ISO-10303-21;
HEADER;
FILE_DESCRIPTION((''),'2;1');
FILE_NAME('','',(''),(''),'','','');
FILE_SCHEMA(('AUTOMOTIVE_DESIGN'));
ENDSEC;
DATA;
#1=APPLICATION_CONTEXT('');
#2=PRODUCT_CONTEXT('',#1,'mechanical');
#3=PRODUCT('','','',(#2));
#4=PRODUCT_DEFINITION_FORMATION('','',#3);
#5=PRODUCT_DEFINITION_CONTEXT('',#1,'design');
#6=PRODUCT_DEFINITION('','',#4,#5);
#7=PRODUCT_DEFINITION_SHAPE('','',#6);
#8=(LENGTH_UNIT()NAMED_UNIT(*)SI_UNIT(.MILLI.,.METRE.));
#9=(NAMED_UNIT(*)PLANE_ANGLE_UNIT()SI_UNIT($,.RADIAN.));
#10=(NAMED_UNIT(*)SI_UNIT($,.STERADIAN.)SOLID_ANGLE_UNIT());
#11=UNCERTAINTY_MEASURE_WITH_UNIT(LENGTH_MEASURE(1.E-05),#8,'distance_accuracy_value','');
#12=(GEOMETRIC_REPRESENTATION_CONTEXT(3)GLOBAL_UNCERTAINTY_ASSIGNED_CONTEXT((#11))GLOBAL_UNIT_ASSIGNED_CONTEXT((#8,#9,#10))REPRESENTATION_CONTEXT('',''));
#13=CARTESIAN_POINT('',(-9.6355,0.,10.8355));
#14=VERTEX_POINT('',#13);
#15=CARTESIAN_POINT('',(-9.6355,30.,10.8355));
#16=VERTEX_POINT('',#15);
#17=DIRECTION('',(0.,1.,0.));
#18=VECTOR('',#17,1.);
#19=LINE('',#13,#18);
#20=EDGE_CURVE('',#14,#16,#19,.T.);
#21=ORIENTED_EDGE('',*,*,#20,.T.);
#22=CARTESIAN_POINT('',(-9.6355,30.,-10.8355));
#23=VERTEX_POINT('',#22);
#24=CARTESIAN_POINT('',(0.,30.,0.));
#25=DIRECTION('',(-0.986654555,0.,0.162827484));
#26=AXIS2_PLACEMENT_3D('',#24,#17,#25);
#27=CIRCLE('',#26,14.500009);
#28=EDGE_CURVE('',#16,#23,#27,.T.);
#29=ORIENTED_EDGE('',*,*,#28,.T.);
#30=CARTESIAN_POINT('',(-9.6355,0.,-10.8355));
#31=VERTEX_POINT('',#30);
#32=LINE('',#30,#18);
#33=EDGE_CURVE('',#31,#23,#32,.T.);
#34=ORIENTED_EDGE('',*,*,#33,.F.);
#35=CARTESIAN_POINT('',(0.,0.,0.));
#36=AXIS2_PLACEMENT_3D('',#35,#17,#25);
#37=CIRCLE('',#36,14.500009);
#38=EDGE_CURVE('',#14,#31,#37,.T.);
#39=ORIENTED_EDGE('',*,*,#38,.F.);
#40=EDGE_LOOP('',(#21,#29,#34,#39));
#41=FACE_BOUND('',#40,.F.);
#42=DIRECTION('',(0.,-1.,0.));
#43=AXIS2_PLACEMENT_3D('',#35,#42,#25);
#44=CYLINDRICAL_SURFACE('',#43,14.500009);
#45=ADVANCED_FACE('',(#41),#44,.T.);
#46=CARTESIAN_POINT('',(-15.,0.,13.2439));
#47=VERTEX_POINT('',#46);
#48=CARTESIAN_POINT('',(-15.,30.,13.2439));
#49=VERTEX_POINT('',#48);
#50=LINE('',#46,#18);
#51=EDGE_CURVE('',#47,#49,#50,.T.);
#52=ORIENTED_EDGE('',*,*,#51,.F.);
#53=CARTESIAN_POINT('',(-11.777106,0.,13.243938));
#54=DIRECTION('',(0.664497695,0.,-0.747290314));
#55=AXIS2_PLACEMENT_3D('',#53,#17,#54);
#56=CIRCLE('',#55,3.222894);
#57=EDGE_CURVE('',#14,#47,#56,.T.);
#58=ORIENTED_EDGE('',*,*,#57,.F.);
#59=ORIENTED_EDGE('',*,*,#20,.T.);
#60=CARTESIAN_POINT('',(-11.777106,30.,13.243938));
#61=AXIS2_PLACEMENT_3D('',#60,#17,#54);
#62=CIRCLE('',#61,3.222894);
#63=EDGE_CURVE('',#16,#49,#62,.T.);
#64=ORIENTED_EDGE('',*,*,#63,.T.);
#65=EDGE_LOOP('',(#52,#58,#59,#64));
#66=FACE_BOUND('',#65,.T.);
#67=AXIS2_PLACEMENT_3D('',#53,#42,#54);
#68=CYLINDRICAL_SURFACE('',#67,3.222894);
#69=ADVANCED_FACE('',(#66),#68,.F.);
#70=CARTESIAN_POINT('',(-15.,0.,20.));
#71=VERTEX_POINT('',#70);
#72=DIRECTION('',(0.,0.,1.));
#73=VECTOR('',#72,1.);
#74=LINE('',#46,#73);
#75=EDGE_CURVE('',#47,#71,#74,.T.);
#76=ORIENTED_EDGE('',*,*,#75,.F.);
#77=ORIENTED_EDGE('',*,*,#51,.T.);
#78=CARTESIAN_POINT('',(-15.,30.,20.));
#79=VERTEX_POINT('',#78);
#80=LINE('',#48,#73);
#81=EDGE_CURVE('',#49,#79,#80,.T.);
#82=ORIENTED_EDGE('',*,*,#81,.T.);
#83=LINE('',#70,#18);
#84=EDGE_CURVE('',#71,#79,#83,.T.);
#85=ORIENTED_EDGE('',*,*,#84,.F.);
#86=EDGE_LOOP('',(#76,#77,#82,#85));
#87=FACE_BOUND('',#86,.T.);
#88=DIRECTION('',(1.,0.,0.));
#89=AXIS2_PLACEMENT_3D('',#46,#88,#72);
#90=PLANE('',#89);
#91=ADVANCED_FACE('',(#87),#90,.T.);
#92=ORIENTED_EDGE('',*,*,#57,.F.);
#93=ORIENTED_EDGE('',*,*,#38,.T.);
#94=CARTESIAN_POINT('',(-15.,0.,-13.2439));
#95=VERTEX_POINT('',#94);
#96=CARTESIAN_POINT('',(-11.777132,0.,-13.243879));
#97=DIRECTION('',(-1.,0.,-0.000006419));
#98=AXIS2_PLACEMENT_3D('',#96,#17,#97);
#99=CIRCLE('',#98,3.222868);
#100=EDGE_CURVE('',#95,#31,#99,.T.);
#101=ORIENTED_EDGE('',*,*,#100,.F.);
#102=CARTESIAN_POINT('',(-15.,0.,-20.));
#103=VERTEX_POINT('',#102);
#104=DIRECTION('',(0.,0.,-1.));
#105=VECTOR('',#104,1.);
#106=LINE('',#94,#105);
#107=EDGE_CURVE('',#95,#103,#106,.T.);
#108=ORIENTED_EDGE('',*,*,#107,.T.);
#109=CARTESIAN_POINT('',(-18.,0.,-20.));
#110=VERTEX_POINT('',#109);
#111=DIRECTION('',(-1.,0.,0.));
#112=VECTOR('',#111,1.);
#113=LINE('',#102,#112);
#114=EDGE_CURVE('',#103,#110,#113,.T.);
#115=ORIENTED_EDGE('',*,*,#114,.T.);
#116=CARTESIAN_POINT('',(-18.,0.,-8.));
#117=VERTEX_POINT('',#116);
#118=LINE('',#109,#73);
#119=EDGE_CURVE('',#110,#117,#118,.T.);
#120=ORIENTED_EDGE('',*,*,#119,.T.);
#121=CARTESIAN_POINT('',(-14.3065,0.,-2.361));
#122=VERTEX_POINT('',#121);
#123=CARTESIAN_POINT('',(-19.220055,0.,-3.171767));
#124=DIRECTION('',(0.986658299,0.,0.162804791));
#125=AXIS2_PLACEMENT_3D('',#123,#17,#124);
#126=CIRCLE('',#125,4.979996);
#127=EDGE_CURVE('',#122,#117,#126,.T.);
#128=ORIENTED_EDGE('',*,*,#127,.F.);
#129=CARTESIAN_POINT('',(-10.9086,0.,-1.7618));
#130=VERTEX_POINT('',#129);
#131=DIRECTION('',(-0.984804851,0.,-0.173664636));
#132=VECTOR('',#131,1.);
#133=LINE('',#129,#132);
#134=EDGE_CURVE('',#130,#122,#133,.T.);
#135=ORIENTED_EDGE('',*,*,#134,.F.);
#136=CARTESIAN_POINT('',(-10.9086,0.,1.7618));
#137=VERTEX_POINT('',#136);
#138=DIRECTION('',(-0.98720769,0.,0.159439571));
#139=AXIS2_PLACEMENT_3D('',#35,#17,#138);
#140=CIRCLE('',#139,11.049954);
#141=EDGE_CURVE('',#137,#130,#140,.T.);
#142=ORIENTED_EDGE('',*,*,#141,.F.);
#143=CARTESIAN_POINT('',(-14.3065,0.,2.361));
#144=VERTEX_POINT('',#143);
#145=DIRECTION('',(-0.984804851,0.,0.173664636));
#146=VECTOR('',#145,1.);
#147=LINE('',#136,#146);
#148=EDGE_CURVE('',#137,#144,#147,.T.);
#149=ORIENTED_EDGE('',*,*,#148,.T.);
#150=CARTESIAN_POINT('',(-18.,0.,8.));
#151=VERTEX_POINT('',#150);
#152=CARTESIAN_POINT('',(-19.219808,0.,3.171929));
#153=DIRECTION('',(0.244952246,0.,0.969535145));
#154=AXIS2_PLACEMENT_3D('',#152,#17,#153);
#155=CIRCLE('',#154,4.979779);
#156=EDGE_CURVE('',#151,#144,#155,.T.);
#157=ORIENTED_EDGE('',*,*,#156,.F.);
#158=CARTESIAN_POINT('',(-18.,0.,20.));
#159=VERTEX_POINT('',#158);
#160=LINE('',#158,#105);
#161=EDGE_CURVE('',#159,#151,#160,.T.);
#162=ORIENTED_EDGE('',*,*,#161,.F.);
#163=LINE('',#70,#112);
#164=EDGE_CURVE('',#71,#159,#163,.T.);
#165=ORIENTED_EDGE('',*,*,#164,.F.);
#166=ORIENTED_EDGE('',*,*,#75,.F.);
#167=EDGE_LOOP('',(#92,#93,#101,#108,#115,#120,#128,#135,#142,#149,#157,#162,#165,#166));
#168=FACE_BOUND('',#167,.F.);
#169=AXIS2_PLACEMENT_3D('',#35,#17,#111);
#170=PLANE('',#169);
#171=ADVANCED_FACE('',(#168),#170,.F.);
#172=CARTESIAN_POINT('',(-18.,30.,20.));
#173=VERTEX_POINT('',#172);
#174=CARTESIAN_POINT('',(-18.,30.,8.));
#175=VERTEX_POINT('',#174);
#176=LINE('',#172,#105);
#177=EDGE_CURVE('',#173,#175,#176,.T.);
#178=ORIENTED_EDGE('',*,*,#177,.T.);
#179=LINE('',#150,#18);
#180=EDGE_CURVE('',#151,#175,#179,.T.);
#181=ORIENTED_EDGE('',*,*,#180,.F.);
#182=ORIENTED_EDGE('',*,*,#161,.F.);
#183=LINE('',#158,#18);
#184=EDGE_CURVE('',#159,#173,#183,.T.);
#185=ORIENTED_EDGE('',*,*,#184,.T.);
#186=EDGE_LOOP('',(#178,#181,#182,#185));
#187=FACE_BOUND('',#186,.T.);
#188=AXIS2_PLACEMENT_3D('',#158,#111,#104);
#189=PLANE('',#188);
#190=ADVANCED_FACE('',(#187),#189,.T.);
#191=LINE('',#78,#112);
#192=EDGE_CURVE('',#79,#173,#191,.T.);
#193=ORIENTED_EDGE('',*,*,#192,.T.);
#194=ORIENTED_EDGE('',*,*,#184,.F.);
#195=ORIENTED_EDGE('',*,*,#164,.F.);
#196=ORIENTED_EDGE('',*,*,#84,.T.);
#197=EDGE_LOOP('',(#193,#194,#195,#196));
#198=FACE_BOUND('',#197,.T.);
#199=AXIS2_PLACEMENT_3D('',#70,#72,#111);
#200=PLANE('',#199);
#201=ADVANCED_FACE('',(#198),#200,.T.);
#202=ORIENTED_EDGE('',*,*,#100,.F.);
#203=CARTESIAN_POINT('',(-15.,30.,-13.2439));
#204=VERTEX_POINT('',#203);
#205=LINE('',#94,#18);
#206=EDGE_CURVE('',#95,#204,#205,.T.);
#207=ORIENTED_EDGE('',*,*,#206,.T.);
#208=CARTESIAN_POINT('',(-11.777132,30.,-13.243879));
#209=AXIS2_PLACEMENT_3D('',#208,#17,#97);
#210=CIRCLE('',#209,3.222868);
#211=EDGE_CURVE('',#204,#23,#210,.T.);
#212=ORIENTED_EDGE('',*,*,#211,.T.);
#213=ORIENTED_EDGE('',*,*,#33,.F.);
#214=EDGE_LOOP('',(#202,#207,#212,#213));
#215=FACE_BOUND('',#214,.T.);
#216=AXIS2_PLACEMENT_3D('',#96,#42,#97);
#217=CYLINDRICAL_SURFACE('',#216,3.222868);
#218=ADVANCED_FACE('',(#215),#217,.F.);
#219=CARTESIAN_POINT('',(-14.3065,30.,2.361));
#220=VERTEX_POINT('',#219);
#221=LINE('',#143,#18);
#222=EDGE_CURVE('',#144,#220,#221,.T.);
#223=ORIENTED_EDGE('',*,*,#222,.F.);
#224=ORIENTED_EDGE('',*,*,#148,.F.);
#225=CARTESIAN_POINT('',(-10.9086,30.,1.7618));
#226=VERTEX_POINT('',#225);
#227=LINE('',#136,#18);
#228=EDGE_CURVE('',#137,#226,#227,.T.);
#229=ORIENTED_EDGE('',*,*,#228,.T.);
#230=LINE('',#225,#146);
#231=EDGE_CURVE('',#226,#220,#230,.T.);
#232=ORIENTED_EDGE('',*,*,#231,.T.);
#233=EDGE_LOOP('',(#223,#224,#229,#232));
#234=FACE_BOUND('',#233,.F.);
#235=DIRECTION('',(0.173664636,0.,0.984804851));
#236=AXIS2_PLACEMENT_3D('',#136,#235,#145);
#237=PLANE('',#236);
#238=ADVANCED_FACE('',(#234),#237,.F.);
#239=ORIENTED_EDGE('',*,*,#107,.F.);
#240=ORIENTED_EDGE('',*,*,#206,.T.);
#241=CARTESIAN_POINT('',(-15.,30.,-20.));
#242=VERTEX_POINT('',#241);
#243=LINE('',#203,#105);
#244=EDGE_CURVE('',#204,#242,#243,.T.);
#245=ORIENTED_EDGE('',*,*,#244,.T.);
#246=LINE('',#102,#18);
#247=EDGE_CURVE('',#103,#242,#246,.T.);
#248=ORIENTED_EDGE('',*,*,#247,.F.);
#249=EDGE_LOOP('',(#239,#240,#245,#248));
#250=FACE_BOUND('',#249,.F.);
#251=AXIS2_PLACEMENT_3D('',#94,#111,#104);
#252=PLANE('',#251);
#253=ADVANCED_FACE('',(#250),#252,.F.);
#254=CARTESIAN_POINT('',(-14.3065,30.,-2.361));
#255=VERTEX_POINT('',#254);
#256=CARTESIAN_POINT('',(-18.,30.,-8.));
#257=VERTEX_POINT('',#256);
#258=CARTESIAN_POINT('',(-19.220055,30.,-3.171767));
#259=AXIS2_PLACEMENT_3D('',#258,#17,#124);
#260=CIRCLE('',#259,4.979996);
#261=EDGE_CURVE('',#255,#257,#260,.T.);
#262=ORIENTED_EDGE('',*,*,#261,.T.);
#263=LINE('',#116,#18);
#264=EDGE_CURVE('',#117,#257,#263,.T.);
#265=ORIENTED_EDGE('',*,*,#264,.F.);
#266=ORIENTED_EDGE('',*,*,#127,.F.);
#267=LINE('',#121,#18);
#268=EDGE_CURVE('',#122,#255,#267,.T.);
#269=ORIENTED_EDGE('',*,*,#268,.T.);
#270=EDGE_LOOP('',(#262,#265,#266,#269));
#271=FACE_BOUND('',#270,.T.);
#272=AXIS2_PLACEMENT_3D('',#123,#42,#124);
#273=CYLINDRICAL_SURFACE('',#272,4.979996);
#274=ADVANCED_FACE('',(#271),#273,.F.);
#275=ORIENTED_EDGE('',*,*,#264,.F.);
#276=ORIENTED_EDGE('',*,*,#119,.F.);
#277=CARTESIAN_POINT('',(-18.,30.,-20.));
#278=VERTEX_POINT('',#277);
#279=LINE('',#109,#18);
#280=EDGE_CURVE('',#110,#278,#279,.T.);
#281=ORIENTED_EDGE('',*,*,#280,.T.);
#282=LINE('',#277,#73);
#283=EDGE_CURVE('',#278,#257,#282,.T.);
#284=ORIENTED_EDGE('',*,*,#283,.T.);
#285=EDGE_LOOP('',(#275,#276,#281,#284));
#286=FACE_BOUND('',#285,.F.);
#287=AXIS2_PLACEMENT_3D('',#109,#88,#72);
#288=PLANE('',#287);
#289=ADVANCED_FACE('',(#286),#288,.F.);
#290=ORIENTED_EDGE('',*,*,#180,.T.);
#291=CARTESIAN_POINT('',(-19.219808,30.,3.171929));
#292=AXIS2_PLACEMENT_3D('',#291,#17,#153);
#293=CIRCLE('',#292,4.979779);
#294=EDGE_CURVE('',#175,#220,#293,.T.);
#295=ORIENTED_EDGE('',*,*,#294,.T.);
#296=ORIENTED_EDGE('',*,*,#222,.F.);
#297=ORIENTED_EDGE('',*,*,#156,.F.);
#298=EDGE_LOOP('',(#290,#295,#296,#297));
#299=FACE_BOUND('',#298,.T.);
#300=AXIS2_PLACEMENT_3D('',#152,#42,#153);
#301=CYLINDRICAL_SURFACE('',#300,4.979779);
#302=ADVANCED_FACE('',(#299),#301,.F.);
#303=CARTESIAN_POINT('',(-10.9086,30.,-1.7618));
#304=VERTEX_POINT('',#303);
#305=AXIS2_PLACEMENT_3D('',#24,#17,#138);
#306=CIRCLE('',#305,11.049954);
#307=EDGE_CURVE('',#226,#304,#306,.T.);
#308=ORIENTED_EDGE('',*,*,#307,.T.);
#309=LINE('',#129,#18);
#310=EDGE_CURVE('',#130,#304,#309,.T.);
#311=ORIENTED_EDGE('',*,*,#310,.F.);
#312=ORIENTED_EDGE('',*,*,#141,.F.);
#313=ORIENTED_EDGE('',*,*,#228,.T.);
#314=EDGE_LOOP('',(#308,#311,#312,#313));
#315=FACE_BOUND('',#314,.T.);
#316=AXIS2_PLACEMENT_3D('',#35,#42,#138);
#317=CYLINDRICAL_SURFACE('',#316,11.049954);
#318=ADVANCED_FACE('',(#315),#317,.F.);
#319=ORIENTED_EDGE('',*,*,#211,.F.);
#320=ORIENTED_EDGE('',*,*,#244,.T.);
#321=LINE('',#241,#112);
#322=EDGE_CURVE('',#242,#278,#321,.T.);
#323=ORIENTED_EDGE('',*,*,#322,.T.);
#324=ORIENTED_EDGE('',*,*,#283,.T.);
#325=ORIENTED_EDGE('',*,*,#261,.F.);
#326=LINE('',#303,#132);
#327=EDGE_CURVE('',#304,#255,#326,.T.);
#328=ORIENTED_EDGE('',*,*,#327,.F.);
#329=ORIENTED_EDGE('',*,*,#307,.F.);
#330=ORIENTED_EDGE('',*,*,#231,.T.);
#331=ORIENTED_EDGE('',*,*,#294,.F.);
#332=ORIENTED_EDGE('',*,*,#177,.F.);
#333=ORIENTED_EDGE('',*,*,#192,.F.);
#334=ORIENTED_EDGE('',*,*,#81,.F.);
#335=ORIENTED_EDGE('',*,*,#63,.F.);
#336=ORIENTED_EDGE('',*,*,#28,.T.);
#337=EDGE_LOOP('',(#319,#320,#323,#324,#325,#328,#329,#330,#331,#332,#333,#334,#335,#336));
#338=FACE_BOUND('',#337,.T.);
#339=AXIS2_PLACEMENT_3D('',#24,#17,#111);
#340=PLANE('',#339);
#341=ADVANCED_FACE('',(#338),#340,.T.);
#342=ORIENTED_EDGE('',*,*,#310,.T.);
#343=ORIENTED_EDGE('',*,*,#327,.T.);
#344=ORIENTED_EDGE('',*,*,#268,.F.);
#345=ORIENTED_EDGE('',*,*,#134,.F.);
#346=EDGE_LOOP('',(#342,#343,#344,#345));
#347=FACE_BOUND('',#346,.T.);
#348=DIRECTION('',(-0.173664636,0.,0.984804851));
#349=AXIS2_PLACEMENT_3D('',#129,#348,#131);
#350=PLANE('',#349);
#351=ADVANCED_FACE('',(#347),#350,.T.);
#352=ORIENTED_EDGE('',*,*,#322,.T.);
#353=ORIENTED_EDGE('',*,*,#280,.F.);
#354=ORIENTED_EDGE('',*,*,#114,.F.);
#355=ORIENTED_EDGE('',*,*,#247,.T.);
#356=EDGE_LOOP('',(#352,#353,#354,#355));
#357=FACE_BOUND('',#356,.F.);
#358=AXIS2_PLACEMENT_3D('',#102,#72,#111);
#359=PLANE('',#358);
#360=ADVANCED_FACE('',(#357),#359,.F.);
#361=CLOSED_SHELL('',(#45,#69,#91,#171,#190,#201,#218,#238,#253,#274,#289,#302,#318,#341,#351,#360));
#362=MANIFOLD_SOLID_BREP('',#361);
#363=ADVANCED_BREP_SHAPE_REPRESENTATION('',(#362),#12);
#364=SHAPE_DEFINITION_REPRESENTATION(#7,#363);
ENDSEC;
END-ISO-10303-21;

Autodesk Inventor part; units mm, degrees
ref_plane "YZ Plane" through (0, 0, 0) normal (1, 0, 0) x (0, 1, 0)
ref_plane "XZ Plane" through (0, 0, 0) normal (0, 1, 0) x (-1, 0, 0)
ref_plane "XY Plane" through (0, 0, 0) normal (0, 0, 1) x (1, 0, 0)
sketch "Sketch1" plane through (0, 0, 0) normal (0, 1, 0) x (-1, 0, 0)
  arc A0 (10.9086, 1.7618) -> (10.9086, -1.7618) centre (0, 0) ccw
  arc A1 (14.3065, 2.361) -> (14.3065, -2.361) centre (0, 0) ccw
  line L0 (15, 13.2439) -> (15, 20)
  line L1 (15, 20) -> (18, 20)
  line L2 (18, 20) -> (18, 8)
  line L3 (15, -13.2439) -> (15, -20)
  line L4 (15, -20) -> (18, -20)
  line L5 (18, -20) -> (18, -8)
  arc A2 (9.6355, 10.8355) -> (15, 13.2439) centre (11.7771, 13.2439) ccw
  arc A3 (15, -13.2439) -> (9.6355, -10.8355) centre (11.7771, -13.2439) ccw
  line L6 (10.9086, -1.7618) -> (14.3065, -2.361)
  line L7 (10.9086, 1.7618) -> (14.3065, 2.361)
  line L8 (17.4762, 0) -> (-4.0395, 0) construction
  arc A4 (18, 8) -> (14.3065, 2.361) centre (19.2199, 3.1718) ccw
  arc A5 (14.3065, -2.361) -> (18, -8) centre (19.2199, -3.1718) ccw
  dimension "d0" = 22.1
  dimension "d1" = 29
  dimension "d2" = 12
  dimension "d3" = 12
  dimension "d4" = 3
  dimension "d5" = 3
  dimension "d8" = 15
  dimension "d10" = 10
  dimension "d11" = 10
  dimension "d12" = 3.5237
  dimension "d13" = 1.7618
  dimension "d14" = 20
  dimension "d15" = 20
extrude "Extrusion1" add sketch "Sketch1" along normal blind 30
equation "\"d3\" = d2"
equation "\"d11\" = d10"
equation "\"d13\" = 0.5 * d12"
properties part number "motor_holder" material "ABS Plastic"
